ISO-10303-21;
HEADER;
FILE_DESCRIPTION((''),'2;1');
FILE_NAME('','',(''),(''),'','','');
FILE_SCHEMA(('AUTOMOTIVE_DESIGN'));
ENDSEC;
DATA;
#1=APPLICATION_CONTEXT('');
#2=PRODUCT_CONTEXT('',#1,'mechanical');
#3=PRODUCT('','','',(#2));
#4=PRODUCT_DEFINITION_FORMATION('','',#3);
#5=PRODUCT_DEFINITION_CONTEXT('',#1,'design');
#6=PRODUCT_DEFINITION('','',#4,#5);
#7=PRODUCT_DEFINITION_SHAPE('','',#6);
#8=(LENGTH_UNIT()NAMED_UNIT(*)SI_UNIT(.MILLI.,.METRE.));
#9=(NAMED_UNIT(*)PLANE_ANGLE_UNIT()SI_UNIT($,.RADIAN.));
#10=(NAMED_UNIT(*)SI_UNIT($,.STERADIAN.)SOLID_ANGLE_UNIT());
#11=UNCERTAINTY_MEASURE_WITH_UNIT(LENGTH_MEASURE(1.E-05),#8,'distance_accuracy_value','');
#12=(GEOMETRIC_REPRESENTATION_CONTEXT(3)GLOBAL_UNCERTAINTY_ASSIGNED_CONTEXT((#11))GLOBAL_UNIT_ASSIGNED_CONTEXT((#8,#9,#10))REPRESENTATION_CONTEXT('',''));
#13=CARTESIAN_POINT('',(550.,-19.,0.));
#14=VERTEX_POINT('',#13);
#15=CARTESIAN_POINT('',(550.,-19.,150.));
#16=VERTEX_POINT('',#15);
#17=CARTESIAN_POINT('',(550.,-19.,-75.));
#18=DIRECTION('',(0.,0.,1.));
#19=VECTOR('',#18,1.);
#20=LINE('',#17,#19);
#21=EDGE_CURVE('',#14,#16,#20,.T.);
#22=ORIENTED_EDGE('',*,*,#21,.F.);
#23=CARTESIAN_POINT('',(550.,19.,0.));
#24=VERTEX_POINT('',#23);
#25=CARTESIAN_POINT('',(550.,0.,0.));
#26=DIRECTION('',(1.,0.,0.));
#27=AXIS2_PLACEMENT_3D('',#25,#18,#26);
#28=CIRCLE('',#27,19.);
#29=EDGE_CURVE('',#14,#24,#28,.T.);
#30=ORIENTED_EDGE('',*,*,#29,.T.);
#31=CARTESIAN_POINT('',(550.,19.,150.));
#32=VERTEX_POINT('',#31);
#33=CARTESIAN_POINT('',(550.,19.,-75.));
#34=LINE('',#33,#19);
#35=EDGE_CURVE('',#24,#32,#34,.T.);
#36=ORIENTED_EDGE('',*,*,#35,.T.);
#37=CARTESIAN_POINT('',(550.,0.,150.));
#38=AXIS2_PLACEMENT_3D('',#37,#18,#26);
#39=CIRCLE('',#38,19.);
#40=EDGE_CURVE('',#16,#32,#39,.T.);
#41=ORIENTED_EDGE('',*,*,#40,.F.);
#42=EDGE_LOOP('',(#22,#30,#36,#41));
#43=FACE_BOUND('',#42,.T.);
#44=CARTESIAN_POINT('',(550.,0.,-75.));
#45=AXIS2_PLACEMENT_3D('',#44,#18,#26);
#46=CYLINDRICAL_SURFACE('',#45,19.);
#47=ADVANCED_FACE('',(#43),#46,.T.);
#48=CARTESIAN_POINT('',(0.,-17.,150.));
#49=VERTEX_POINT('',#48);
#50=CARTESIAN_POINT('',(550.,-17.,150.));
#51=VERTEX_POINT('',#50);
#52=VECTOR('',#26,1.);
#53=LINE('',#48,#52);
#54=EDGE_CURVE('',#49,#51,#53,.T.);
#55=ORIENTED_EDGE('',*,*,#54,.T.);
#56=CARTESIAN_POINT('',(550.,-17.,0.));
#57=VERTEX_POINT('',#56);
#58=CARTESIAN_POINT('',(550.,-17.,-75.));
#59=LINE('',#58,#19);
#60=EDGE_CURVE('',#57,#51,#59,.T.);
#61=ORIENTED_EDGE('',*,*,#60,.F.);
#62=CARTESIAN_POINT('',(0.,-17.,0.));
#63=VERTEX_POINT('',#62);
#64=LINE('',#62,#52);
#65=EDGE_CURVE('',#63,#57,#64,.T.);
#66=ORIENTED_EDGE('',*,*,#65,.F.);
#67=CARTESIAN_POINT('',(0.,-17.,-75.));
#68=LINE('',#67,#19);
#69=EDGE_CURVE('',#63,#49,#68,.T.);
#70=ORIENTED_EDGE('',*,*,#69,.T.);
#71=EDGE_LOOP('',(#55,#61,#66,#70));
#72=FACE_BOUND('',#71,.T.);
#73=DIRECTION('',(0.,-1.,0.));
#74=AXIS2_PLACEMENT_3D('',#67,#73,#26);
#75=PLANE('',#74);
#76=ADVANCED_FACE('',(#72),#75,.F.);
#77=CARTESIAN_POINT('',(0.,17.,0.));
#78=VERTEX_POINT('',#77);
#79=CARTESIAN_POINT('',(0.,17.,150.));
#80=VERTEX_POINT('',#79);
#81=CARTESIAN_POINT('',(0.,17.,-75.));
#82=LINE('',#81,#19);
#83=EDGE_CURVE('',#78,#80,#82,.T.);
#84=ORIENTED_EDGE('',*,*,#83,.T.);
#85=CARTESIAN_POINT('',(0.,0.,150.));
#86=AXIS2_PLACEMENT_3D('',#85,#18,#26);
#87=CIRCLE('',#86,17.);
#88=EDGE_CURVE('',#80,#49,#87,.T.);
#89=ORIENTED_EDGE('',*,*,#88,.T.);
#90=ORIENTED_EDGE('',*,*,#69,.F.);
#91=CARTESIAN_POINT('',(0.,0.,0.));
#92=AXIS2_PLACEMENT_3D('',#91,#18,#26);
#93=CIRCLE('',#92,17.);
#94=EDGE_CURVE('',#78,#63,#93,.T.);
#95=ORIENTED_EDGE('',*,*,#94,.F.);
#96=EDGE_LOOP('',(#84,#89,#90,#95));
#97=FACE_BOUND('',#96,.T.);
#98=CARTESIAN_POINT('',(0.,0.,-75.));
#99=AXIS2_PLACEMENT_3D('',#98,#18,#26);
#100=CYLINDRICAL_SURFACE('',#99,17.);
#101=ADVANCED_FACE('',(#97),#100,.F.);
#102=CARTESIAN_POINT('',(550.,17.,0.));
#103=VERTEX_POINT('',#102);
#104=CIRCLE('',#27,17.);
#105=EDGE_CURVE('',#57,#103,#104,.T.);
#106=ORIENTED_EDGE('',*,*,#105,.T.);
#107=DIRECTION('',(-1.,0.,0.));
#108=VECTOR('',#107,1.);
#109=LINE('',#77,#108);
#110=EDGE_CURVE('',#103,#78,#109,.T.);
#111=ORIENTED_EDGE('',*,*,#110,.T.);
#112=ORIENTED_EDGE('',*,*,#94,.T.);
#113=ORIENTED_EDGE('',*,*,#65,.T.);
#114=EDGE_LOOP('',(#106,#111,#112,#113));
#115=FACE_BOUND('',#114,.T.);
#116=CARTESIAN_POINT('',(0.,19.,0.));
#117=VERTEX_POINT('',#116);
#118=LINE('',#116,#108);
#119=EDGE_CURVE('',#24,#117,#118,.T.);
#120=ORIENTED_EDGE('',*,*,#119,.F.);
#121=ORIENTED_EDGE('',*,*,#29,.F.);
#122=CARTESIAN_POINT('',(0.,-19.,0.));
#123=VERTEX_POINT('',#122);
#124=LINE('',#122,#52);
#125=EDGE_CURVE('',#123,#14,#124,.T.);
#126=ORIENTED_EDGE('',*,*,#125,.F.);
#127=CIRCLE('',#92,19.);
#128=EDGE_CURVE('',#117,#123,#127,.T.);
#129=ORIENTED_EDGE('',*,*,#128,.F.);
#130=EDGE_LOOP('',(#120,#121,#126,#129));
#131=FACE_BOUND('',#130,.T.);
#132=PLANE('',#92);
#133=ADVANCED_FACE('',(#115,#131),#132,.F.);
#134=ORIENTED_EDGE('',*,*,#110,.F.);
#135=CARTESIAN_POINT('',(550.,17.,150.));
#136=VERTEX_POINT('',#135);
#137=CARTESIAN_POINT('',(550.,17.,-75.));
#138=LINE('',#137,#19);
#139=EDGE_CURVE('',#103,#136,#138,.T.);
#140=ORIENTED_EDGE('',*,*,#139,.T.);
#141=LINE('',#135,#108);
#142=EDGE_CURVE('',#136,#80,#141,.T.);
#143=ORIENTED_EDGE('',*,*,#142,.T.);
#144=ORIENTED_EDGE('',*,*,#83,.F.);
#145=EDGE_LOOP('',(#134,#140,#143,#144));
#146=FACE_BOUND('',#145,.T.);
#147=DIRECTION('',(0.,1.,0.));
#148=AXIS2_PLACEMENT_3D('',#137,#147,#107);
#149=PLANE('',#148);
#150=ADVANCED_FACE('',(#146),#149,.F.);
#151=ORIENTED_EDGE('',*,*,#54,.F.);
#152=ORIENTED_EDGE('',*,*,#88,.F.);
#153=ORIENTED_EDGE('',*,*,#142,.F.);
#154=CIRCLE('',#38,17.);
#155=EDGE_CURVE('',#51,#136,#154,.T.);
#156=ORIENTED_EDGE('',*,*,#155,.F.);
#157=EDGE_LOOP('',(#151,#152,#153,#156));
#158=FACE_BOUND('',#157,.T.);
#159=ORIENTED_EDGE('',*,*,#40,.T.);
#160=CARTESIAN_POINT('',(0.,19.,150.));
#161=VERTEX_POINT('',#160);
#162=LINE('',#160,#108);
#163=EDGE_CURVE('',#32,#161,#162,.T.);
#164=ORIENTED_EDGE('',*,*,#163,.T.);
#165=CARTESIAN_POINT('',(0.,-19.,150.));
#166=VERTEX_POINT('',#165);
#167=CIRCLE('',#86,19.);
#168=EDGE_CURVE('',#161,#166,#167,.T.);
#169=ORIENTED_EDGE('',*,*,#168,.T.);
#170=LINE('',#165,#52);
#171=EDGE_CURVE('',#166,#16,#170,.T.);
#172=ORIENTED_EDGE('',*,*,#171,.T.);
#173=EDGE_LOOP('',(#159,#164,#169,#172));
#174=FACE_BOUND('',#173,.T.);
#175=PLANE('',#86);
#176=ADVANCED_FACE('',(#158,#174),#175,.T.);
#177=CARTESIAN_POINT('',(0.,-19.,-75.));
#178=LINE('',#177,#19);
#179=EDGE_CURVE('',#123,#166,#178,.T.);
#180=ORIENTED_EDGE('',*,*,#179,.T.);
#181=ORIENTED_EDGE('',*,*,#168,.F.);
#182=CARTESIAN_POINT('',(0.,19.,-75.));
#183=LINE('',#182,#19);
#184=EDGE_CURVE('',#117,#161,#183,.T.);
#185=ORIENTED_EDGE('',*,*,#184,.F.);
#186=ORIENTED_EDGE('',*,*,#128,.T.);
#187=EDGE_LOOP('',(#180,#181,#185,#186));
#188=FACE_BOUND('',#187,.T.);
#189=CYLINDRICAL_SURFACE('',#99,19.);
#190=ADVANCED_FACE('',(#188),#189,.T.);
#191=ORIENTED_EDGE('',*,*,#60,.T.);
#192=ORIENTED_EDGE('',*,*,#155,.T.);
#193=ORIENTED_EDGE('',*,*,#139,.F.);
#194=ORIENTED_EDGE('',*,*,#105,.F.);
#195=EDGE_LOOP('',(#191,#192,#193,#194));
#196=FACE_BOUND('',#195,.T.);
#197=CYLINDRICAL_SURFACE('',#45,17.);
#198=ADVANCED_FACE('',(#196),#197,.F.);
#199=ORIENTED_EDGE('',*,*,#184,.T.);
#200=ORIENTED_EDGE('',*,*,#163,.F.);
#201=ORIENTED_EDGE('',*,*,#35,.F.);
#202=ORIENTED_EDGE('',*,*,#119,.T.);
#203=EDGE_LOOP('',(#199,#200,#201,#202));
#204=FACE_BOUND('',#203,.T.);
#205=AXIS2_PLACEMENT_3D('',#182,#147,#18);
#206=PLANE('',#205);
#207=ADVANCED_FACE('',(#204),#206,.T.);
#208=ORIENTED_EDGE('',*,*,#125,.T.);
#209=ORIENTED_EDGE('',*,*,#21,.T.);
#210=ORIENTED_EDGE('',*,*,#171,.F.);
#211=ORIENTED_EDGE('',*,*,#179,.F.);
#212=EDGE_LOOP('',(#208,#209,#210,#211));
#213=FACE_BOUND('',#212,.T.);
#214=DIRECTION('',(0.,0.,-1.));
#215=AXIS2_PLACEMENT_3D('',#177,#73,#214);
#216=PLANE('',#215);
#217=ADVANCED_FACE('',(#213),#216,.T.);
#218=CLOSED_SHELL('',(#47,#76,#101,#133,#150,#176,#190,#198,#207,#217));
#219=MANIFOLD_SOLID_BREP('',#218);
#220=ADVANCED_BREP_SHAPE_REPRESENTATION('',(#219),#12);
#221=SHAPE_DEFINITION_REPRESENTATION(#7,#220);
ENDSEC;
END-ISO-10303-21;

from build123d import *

# Parameters (mm, degrees)
BOSS_EXTRUDE1_DEPTH = 150
CUT_EXTRUDE1_DEPTH  = 150
BOSS_EXTRUDE2_DEPTH = 150
CUT_EXTRUDE2_DEPTH  = 168
BOSS_EXTRUDE4_DEPTH = 150
CUT_EXTRUDE3_DEPTH  = 225
CUT_EXTRUDE4_DEPTH  = 225


with BuildPart() as part:
    # Sketch1 → Boss-Extrude1 (new body)
    with BuildSketch(Plane.XY):
        with BuildLine():
            Line((0, 18), (550, 18))
            ThreePointArc((550, 18), (568, 0), (550, -18))
            Line((550, -18), (0, -18))
            ThreePointArc((0, -18), (-18, 0), (0, 18))
        make_face()
    extrude(amount=BOSS_EXTRUDE1_DEPTH)

    # Sketch2 → Cut-Extrude1 (cut)
    with BuildSketch(Plane.XY.offset(150)):
        with BuildLine():
            Line((0, -16), (550, -16))
            ThreePointArc((550, -16), (566, 0), (550, 16))
            Line((550, 16), (0, 16))
            ThreePointArc((0, 16), (-16, 0), (0, -16))
        make_face()
    extrude(amount=-CUT_EXTRUDE1_DEPTH, mode=Mode.SUBTRACT)

    # Sketch3 → Boss-Extrude2 (add)
    with BuildSketch(Plane.XY.offset(150)):
        with BuildLine():
            Line((0, -20), (550, -20))
            ThreePointArc((550, -20), (570, 0), (550, 20))
            Line((550, 20), (0, 20))
            ThreePointArc((0, 20), (-20, 0), (0, -20))
        make_face()
    extrude(amount=-BOSS_EXTRUDE2_DEPTH)

    # Sketch4 → Cut-Extrude2 (cut)
    with BuildSketch(Plane.XY.offset(150)):
        with BuildLine():
            Line((0, -18), (550, -18))
            ThreePointArc((550, -18), (568, 0), (550, 18))
            Line((550, 18), (0, 18))
            ThreePointArc((0, 18), (-18, 0), (0, -18))
        make_face()
    extrude(amount=-CUT_EXTRUDE2_DEPTH, mode=Mode.SUBTRACT)

    # Sketch5 → Boss-Extrude4 (add)
    with BuildSketch(Plane.XY.offset(150)):
        with BuildLine():
            Line((0, -18), (550, -18))
            ThreePointArc((550, -18), (568, 0), (550, 18))
            Line((550, 18), (0, 18))
            ThreePointArc((0, 18), (-18, 0), (0, -18))
        make_face()
    extrude(amount=-BOSS_EXTRUDE4_DEPTH)

    # Sketch7 → Cut-Extrude3 (cut)
    with BuildSketch(Plane.XY.offset(150)):
        with BuildLine():
            Line((0, -17), (550, -17))
            ThreePointArc((550, -17), (567, 0), (550, 17))
            Line((550, 17), (0, 17))
            ThreePointArc((0, 17), (-17, 0), (0, -17))
        make_face()
    extrude(amount=-CUT_EXTRUDE3_DEPTH, mode=Mode.SUBTRACT)

    # Sketch8 → Cut-Extrude4 (cut)
    with BuildSketch(Plane.XY.offset(150)):
        with BuildLine():
            Line((0, 20), (550, 20))
            ThreePointArc((550, 20), (570, 0), (550, -20))
            Line((550, -20), (0, -20))
            ThreePointArc((0, -20), (-20, 0), (0, 20))
        make_face()
        with BuildLine():
            Line((0, 19), (550, 19))
            ThreePointArc((550, 19), (569, 0), (550, -19))
            Line((550, -19), (0, -19))
            ThreePointArc((0, -19), (-19, 0), (0, 19))
        make_face(mode=Mode.SUBTRACT)
    extrude(amount=-CUT_EXTRUDE4_DEPTH, mode=Mode.SUBTRACT)


solid = part.part
